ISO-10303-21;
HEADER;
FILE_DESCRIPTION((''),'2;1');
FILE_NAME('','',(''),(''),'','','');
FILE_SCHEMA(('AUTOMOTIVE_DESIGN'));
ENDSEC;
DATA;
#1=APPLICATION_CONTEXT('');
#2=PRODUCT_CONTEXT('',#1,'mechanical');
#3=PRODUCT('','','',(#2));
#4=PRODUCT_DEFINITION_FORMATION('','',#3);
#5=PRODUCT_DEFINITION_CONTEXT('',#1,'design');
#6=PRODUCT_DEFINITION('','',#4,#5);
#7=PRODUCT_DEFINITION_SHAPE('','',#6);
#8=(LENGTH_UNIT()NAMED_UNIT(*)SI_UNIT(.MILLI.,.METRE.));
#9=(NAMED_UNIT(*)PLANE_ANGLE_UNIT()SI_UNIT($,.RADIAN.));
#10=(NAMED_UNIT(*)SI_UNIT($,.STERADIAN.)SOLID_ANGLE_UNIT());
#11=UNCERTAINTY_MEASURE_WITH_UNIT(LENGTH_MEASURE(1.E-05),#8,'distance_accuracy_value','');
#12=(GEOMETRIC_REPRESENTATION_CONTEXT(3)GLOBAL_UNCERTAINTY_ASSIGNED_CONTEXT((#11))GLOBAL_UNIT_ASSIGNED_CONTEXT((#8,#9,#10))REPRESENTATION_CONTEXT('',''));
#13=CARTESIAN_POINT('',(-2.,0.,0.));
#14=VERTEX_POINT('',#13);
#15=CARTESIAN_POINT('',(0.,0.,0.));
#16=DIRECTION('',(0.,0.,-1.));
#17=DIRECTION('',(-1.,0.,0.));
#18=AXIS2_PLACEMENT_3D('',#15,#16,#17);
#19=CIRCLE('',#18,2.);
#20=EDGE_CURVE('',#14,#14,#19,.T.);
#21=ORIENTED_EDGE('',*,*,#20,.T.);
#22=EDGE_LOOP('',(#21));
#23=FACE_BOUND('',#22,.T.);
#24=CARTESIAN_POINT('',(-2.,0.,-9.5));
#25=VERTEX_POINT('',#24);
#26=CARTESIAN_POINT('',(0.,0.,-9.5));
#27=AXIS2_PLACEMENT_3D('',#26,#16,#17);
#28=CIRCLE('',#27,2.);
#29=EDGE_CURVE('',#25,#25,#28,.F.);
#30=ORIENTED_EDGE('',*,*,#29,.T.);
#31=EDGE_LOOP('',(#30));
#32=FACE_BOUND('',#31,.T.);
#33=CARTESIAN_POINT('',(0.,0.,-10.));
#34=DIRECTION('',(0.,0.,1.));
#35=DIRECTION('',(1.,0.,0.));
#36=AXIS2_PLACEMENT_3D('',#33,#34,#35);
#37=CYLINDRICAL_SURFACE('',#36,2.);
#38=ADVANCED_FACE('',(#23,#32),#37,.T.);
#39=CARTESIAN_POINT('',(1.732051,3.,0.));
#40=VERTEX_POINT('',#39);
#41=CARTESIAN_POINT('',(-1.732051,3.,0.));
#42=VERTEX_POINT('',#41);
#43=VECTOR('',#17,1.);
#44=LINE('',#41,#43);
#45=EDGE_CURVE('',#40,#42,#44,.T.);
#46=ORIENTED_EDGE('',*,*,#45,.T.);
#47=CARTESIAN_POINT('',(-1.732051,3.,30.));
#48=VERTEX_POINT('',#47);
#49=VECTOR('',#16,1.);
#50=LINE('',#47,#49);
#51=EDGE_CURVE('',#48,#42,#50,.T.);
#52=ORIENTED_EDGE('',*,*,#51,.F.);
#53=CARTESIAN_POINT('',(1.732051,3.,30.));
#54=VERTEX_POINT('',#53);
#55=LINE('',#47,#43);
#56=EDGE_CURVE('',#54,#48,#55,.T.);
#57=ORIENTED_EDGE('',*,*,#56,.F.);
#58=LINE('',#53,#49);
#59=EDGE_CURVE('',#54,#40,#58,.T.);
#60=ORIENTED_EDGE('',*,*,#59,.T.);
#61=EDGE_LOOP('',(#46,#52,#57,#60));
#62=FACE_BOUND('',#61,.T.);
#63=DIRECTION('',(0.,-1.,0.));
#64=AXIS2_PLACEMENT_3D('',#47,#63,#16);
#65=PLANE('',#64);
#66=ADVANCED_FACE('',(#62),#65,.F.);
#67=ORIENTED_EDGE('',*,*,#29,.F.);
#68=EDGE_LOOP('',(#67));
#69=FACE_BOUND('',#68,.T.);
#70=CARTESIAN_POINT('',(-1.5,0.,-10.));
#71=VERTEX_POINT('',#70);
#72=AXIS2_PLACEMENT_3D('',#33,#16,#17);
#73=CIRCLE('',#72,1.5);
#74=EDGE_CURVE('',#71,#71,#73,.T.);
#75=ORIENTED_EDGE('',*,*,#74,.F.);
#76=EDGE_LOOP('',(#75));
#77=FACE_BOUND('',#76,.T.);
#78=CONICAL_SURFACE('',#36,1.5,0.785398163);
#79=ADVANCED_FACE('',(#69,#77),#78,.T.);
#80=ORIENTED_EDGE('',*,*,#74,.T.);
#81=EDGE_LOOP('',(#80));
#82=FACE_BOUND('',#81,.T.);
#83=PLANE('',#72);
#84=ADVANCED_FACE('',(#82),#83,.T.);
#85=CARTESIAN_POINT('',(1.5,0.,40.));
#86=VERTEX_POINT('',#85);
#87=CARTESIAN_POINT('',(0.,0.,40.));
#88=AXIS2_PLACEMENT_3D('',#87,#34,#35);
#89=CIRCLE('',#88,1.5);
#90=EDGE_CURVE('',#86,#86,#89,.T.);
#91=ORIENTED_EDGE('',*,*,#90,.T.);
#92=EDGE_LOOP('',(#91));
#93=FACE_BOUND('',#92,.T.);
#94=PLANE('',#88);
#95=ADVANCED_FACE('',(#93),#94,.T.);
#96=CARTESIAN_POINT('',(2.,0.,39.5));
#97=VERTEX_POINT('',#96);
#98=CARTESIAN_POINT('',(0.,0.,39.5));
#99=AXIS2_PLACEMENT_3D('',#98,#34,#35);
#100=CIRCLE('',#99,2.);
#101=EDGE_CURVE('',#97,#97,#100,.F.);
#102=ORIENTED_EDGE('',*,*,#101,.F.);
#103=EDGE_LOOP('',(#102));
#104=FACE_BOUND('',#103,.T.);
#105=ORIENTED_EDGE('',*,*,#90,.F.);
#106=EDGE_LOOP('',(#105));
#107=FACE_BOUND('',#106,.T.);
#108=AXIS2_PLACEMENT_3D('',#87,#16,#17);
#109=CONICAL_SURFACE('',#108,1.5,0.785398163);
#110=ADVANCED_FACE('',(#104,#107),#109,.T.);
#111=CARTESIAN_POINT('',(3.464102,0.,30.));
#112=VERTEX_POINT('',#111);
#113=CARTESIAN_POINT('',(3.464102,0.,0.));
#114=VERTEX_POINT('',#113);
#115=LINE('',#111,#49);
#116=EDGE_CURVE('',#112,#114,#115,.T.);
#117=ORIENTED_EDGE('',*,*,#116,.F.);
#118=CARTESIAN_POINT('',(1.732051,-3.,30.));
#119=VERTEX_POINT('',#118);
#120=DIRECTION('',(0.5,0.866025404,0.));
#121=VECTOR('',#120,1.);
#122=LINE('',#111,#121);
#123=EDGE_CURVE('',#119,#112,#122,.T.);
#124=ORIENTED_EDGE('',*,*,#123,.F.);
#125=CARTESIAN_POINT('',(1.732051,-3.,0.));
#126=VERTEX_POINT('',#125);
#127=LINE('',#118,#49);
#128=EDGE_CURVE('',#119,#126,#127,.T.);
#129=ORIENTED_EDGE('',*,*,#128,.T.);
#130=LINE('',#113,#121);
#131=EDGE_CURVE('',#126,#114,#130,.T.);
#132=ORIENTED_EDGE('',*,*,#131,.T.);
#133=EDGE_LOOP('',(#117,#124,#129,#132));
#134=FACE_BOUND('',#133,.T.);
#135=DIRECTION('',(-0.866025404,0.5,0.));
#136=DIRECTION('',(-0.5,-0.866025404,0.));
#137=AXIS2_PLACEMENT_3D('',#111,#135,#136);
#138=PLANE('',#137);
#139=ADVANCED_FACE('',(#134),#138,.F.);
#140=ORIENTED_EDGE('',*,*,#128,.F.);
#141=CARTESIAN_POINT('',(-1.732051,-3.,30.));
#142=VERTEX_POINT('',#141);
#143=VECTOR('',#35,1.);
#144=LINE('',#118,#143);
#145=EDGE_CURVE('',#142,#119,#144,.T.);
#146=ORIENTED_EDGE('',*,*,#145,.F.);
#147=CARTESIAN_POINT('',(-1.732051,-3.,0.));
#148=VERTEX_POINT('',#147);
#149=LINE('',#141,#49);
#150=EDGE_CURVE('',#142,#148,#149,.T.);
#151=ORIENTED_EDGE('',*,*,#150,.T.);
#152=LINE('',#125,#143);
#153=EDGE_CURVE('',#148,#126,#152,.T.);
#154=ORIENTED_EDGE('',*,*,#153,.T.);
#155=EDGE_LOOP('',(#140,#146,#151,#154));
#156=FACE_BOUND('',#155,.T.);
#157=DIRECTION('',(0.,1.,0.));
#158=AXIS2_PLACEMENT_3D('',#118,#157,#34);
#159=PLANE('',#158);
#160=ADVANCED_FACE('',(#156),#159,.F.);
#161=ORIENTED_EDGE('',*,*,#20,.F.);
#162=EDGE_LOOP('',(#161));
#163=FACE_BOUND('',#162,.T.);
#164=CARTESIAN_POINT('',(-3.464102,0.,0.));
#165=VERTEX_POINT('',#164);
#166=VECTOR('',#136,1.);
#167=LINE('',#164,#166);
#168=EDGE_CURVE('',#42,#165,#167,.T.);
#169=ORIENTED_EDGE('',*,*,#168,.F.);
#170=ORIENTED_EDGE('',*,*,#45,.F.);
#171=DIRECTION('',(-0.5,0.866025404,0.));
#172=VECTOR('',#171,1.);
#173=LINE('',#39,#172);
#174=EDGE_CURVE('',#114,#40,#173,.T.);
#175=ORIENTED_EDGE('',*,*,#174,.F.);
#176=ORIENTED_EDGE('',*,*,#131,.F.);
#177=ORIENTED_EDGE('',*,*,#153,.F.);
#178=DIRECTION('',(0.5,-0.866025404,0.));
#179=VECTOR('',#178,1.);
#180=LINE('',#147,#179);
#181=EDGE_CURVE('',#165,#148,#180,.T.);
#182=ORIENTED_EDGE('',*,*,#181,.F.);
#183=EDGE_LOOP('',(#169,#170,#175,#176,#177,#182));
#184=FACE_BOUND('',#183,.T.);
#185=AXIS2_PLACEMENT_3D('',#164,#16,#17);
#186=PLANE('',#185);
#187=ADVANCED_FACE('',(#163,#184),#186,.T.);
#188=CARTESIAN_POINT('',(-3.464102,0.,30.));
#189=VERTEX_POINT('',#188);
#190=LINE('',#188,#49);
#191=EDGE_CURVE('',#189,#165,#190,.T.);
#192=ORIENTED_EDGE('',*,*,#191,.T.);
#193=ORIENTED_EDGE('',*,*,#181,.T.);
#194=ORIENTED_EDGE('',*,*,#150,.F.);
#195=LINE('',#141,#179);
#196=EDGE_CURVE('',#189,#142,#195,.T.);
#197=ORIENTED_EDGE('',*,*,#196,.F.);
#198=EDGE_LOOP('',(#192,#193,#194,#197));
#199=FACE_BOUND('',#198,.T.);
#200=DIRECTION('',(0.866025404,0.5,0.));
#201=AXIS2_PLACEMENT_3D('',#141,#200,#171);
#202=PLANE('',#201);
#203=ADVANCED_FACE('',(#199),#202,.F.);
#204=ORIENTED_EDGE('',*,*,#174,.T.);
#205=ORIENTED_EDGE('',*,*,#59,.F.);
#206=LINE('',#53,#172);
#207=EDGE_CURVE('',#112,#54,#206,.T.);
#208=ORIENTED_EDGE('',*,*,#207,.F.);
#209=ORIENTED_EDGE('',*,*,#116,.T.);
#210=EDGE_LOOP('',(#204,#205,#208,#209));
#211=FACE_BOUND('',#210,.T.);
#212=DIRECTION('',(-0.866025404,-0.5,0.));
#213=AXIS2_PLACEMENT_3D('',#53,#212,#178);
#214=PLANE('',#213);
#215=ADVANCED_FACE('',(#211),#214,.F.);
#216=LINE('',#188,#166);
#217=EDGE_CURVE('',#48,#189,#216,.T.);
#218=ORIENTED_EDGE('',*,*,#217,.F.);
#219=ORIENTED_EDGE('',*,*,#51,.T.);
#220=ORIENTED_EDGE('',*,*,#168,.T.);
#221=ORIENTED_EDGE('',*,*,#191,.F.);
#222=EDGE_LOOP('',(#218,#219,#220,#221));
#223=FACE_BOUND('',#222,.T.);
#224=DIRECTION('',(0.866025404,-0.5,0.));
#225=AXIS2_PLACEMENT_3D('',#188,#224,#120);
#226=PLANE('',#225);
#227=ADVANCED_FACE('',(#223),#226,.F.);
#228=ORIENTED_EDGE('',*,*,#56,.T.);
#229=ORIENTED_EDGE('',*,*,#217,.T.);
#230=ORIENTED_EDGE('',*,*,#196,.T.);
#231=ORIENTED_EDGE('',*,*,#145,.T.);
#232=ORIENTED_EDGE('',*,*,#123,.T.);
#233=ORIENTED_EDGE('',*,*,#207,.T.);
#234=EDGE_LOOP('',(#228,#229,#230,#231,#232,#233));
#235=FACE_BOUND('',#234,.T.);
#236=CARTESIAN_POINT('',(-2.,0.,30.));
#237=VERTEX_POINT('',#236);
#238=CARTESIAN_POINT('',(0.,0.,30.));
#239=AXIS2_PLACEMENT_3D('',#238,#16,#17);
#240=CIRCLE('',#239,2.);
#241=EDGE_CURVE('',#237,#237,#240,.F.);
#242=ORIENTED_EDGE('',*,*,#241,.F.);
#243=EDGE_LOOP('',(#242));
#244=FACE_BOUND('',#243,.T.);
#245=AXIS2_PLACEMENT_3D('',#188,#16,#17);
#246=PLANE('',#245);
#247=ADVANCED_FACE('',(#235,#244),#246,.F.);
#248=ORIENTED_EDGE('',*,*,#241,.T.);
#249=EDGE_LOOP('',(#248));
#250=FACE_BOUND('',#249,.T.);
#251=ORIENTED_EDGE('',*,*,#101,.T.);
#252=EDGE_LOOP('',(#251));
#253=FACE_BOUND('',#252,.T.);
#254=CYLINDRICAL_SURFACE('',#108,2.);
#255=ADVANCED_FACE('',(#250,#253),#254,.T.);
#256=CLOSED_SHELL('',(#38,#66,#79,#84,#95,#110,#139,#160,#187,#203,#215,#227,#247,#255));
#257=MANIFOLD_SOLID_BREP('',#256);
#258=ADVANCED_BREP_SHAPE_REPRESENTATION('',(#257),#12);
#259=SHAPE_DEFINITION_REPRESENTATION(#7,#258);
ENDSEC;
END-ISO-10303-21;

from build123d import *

# Parameters (mm, degrees)
BOSS_EXTRU_1_DEPTH = 30
ESQUISSE2_R        = 2
BOSS_EXTRU_2_DEPTH = 10
BOSS_EXTRU_3_START = 10
ESQUISSE3_R        = 2
BOSS_EXTRU_3_DEPTH = 10
CHANFREIN1_SIZE    = 0.5


with BuildPart() as part:
    # Esquisse1 → Boss.-Extru.1 (new body)
    with BuildSketch(Plane.XY):
        Polygon((-3.464101615, 0), (-1.732050808, 3), (1.732050808, 3), (3.464101615, 0), (1.732050808, -3), (-1.732050808, -3), align=None)
    extrude(amount=BOSS_EXTRU_1_DEPTH)

    # Esquisse2 → Boss.-Extru.2 (add)
    with BuildSketch(Plane.XY.offset(30)):
        with Locations(Location((0, 0, 0), (0, 0, 180))):
            Circle(ESQUISSE2_R)
    extrude(amount=BOSS_EXTRU_2_DEPTH)

    # Esquisse3 → Boss.-Extru.3 (add)
    with BuildSketch(Plane(origin=(0, 0, 0), x_dir=(-1, 0, 0), z_dir=(0, 0, -1)).offset(BOSS_EXTRU_3_START)):
        Circle(ESQUISSE3_R)
    extrude(amount=-BOSS_EXTRU_3_DEPTH)

    # Chanfrein1
    chanfrein1_edges = [part.edges().sort_by_distance(p)[0] for p in [
        (2, 0, 40),
        (2, 0, -10),
    ]]
    chamfer(chanfrein1_edges, length=CHANFREIN1_SIZE)


solid = part.part
